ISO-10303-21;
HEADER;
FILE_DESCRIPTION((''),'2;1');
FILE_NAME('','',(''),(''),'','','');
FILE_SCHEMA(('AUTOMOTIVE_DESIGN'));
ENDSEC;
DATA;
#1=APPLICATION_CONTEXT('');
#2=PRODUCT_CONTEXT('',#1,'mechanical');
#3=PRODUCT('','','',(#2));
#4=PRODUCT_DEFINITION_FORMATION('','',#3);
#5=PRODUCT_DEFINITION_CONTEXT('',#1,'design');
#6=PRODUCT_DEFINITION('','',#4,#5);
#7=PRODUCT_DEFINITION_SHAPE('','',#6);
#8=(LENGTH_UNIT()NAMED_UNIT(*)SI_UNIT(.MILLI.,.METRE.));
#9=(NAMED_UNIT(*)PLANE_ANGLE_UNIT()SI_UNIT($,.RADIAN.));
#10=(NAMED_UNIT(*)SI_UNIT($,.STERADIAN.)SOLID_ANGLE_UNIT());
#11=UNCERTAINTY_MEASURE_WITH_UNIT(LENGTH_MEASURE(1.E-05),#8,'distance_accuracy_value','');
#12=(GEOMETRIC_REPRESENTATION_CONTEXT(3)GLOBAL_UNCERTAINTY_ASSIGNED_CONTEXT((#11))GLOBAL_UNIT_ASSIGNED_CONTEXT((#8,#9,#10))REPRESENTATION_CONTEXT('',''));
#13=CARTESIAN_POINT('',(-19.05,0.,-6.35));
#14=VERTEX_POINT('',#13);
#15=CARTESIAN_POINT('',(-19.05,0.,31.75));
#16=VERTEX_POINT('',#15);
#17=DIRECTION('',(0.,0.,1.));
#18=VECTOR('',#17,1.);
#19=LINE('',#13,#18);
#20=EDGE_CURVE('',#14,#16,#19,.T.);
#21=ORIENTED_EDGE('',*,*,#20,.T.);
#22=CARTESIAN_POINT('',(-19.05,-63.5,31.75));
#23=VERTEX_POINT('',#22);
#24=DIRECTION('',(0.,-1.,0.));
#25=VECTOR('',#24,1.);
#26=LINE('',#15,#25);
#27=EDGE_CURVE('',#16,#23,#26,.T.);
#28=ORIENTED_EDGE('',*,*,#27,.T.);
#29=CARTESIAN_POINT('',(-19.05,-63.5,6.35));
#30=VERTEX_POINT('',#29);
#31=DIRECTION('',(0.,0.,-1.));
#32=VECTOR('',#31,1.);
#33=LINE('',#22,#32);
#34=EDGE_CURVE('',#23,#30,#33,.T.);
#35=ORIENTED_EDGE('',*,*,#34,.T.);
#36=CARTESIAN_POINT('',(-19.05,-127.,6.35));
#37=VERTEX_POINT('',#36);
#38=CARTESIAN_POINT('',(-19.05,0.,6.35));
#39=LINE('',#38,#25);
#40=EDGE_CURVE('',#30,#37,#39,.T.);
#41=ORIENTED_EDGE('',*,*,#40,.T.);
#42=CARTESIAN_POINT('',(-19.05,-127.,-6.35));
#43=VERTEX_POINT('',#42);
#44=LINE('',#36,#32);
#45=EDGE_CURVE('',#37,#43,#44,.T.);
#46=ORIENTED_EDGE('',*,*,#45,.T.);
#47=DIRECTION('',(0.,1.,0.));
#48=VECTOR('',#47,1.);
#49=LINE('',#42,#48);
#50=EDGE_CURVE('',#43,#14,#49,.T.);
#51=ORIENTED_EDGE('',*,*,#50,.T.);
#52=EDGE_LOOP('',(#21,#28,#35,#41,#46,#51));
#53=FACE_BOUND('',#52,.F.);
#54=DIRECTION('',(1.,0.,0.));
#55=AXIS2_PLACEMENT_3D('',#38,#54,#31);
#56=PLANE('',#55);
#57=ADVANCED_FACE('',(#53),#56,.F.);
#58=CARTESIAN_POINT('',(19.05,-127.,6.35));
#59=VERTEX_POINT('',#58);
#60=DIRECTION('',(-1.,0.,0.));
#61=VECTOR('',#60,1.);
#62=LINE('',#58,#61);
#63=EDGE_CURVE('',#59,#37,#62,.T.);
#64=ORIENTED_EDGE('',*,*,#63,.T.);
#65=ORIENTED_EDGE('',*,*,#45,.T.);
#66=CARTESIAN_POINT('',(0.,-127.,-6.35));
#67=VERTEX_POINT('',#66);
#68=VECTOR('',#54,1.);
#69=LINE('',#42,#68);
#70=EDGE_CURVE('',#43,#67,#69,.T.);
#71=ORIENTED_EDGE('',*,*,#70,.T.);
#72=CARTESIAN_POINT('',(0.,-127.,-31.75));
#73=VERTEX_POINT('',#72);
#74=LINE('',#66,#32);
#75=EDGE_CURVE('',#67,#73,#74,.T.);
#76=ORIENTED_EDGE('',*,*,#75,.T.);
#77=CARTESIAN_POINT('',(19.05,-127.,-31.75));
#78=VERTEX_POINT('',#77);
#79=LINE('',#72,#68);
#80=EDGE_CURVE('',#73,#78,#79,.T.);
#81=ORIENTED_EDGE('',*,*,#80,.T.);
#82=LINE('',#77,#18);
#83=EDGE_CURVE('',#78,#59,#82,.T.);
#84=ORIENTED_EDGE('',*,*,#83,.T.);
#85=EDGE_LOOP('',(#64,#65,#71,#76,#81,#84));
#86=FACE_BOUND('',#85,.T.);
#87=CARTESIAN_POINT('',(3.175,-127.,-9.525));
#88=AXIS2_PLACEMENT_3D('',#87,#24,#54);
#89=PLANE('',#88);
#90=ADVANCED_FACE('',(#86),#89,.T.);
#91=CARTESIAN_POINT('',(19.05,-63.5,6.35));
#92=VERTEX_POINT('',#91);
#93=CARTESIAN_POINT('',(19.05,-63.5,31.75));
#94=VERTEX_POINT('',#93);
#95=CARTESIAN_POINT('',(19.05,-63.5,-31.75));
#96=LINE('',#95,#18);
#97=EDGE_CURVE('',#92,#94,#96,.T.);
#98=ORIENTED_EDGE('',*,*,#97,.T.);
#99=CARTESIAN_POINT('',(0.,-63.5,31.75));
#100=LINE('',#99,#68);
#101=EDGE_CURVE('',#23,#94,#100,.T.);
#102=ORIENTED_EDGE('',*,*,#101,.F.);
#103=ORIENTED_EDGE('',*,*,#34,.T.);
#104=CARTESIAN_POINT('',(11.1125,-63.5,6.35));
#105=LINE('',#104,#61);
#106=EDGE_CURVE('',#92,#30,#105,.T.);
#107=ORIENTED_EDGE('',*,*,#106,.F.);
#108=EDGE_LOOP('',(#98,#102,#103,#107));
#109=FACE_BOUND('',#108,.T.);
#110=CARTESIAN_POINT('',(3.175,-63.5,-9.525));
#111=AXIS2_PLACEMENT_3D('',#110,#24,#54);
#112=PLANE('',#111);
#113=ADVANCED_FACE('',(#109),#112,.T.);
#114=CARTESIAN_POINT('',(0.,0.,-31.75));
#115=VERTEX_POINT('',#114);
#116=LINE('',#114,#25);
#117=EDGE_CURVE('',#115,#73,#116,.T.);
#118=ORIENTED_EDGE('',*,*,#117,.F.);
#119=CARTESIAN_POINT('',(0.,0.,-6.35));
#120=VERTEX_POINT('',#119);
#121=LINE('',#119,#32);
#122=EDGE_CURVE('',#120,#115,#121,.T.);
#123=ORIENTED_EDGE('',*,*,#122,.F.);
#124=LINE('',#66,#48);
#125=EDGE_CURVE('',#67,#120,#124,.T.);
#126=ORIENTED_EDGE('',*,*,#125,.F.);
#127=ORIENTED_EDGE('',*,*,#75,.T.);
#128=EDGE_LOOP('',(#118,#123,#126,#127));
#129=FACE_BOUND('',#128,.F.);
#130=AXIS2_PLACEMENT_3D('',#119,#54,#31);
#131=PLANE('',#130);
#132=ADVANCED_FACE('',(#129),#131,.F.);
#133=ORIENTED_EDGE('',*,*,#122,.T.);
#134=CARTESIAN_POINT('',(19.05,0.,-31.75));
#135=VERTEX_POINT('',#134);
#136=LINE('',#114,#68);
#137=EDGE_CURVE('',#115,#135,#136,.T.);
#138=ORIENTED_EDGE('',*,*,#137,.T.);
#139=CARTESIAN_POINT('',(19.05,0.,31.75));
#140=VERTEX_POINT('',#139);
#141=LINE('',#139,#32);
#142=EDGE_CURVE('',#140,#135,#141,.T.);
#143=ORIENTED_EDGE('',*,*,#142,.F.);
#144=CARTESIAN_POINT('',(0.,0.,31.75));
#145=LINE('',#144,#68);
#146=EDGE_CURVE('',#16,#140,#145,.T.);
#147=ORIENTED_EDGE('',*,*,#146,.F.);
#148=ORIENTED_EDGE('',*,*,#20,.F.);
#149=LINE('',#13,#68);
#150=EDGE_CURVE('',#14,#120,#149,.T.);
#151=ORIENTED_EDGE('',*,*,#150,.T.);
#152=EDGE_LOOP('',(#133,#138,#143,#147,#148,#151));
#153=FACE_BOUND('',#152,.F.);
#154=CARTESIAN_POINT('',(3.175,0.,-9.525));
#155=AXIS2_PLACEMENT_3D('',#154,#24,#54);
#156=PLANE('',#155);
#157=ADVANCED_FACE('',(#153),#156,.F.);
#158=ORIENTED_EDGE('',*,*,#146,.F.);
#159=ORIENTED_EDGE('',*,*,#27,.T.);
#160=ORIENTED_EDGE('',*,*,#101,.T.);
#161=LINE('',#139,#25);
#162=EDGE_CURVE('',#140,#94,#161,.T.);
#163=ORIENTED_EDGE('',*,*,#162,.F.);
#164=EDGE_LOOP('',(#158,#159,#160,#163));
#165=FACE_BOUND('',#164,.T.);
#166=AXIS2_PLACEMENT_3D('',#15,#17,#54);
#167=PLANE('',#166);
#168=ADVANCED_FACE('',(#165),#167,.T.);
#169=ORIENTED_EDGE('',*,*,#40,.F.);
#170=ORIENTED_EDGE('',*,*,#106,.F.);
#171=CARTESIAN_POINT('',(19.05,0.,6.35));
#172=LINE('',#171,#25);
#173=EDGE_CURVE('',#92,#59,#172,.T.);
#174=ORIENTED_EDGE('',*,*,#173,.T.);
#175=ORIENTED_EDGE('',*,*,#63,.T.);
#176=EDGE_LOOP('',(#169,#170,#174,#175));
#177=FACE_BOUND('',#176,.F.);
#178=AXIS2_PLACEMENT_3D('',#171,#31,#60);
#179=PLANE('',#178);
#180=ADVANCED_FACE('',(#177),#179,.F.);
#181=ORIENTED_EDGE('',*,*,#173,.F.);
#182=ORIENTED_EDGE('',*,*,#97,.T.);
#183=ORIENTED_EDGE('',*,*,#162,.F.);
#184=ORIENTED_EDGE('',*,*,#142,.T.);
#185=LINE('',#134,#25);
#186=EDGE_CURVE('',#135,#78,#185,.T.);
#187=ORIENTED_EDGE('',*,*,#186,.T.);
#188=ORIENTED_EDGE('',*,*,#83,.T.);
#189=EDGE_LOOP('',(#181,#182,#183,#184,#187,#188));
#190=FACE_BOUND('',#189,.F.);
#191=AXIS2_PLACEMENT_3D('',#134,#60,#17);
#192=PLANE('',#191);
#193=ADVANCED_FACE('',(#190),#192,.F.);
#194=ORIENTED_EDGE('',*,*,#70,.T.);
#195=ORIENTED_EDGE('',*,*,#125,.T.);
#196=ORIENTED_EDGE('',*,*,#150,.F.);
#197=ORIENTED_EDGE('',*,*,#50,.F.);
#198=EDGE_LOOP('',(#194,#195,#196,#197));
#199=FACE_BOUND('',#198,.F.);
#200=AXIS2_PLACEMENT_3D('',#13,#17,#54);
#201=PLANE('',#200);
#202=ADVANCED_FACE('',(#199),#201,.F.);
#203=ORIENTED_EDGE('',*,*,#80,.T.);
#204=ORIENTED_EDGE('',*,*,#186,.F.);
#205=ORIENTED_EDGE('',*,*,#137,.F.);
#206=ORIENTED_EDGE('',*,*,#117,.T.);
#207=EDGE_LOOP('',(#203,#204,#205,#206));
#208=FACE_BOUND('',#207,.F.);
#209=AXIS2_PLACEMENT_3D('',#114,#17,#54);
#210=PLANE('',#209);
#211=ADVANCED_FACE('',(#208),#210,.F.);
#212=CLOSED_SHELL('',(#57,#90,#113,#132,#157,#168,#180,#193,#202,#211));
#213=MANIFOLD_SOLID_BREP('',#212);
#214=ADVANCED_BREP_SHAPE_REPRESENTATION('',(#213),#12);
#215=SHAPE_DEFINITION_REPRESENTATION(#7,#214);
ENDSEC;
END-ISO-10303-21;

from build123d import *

# Parameters (mm, degrees)
F1_DEPTH = 127
F0_W     = 38.1
F0_H     = 25.4
F2_DEPTH = 63.5


with BuildPart() as f1:
    # F0 (on Front) → F1 (new body)
    with BuildSketch(Plane.XZ):
        Polygon((0, -6.35), (0, -31.75), (19.05, -31.75), (19.05, -6.35), (19.05, 6.35), (-19.05, 6.35), (-19.05, -6.35), align=None)
    extrude(amount=F1_DEPTH)

    # F0 (on Front) → F2 (join)
    with BuildSketch(Plane.XZ):
        Polygon((0, -6.35), (0, -31.75), (19.05, -31.75), (19.05, -6.35), (19.05, 6.35), (-19.05, 6.35), (-19.05, -6.35), align=None)
        with Locations((0, 19.05)):
            Rectangle(F0_W, F0_H)
    extrude(amount=F2_DEPTH)


solid = f1.part
